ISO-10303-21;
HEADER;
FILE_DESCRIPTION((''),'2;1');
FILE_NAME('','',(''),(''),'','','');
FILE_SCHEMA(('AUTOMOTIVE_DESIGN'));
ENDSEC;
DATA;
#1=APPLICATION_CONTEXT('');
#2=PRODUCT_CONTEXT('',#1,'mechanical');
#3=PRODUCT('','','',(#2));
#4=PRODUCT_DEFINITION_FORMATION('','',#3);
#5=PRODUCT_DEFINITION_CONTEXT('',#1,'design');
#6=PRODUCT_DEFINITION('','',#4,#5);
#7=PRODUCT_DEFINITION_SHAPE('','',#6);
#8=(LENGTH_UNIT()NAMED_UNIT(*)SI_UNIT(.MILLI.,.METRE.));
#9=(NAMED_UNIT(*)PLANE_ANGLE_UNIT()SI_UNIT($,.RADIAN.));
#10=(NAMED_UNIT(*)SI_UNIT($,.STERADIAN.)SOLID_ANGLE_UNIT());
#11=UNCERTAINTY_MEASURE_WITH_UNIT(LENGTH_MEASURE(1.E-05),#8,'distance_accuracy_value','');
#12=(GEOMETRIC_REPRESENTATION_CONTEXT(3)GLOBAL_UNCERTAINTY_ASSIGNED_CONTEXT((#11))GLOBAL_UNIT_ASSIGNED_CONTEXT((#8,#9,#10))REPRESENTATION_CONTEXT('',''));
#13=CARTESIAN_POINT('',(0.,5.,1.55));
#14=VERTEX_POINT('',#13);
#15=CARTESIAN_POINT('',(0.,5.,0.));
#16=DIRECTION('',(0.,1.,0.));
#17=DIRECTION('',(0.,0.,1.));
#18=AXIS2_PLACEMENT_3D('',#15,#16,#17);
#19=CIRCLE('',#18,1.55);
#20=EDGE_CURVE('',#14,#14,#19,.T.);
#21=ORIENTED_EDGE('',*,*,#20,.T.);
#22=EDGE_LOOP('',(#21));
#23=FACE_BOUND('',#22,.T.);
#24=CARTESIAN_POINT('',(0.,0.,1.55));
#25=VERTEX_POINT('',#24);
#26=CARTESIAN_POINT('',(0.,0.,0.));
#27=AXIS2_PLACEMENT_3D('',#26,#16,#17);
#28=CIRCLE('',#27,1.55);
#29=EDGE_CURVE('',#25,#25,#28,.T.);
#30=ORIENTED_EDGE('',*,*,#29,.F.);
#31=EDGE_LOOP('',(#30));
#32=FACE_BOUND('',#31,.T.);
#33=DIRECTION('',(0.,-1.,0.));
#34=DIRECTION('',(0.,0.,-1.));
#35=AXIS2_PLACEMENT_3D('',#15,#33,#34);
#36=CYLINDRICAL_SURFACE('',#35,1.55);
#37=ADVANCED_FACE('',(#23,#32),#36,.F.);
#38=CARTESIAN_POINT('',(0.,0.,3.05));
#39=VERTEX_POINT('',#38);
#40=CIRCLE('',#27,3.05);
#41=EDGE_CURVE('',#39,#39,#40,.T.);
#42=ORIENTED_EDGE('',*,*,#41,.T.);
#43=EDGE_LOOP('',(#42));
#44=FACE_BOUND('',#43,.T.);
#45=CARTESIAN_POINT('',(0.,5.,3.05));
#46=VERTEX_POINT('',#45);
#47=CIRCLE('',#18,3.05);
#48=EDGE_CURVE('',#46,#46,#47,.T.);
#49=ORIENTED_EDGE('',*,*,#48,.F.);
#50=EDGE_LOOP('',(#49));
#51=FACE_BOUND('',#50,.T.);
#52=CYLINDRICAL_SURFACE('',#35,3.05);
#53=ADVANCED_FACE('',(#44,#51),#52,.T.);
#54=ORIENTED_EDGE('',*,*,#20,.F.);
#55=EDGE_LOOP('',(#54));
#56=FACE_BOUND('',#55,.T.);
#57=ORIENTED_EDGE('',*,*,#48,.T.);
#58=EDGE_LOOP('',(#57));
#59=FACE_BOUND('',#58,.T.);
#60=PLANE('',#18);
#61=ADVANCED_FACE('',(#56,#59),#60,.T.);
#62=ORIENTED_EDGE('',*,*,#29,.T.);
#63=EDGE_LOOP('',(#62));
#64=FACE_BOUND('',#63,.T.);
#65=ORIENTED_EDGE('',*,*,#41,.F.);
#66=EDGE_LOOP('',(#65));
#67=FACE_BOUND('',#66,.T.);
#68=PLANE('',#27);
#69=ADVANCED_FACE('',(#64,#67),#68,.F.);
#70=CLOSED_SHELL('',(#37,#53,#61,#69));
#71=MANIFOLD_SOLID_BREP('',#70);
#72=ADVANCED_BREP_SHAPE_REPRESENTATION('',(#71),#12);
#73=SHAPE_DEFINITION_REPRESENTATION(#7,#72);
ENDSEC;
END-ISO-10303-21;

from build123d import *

# Parameters (mm, degrees)
SKETCH1_R           = 3.05
SKETCH1_R_2         = 1.55
BOSS_EXTRUDE1_DEPTH = 5


with BuildPart() as part:
    # Sketch1 → Boss-Extrude1 (new body)
    with BuildSketch(Plane(origin=(0, 0, 0), x_dir=(1, 0, 0), z_dir=(0, 1, 0))):
        Circle(SKETCH1_R)
        Circle(SKETCH1_R_2, mode=Mode.SUBTRACT)
    extrude(amount=BOSS_EXTRUDE1_DEPTH)


solid = part.part
